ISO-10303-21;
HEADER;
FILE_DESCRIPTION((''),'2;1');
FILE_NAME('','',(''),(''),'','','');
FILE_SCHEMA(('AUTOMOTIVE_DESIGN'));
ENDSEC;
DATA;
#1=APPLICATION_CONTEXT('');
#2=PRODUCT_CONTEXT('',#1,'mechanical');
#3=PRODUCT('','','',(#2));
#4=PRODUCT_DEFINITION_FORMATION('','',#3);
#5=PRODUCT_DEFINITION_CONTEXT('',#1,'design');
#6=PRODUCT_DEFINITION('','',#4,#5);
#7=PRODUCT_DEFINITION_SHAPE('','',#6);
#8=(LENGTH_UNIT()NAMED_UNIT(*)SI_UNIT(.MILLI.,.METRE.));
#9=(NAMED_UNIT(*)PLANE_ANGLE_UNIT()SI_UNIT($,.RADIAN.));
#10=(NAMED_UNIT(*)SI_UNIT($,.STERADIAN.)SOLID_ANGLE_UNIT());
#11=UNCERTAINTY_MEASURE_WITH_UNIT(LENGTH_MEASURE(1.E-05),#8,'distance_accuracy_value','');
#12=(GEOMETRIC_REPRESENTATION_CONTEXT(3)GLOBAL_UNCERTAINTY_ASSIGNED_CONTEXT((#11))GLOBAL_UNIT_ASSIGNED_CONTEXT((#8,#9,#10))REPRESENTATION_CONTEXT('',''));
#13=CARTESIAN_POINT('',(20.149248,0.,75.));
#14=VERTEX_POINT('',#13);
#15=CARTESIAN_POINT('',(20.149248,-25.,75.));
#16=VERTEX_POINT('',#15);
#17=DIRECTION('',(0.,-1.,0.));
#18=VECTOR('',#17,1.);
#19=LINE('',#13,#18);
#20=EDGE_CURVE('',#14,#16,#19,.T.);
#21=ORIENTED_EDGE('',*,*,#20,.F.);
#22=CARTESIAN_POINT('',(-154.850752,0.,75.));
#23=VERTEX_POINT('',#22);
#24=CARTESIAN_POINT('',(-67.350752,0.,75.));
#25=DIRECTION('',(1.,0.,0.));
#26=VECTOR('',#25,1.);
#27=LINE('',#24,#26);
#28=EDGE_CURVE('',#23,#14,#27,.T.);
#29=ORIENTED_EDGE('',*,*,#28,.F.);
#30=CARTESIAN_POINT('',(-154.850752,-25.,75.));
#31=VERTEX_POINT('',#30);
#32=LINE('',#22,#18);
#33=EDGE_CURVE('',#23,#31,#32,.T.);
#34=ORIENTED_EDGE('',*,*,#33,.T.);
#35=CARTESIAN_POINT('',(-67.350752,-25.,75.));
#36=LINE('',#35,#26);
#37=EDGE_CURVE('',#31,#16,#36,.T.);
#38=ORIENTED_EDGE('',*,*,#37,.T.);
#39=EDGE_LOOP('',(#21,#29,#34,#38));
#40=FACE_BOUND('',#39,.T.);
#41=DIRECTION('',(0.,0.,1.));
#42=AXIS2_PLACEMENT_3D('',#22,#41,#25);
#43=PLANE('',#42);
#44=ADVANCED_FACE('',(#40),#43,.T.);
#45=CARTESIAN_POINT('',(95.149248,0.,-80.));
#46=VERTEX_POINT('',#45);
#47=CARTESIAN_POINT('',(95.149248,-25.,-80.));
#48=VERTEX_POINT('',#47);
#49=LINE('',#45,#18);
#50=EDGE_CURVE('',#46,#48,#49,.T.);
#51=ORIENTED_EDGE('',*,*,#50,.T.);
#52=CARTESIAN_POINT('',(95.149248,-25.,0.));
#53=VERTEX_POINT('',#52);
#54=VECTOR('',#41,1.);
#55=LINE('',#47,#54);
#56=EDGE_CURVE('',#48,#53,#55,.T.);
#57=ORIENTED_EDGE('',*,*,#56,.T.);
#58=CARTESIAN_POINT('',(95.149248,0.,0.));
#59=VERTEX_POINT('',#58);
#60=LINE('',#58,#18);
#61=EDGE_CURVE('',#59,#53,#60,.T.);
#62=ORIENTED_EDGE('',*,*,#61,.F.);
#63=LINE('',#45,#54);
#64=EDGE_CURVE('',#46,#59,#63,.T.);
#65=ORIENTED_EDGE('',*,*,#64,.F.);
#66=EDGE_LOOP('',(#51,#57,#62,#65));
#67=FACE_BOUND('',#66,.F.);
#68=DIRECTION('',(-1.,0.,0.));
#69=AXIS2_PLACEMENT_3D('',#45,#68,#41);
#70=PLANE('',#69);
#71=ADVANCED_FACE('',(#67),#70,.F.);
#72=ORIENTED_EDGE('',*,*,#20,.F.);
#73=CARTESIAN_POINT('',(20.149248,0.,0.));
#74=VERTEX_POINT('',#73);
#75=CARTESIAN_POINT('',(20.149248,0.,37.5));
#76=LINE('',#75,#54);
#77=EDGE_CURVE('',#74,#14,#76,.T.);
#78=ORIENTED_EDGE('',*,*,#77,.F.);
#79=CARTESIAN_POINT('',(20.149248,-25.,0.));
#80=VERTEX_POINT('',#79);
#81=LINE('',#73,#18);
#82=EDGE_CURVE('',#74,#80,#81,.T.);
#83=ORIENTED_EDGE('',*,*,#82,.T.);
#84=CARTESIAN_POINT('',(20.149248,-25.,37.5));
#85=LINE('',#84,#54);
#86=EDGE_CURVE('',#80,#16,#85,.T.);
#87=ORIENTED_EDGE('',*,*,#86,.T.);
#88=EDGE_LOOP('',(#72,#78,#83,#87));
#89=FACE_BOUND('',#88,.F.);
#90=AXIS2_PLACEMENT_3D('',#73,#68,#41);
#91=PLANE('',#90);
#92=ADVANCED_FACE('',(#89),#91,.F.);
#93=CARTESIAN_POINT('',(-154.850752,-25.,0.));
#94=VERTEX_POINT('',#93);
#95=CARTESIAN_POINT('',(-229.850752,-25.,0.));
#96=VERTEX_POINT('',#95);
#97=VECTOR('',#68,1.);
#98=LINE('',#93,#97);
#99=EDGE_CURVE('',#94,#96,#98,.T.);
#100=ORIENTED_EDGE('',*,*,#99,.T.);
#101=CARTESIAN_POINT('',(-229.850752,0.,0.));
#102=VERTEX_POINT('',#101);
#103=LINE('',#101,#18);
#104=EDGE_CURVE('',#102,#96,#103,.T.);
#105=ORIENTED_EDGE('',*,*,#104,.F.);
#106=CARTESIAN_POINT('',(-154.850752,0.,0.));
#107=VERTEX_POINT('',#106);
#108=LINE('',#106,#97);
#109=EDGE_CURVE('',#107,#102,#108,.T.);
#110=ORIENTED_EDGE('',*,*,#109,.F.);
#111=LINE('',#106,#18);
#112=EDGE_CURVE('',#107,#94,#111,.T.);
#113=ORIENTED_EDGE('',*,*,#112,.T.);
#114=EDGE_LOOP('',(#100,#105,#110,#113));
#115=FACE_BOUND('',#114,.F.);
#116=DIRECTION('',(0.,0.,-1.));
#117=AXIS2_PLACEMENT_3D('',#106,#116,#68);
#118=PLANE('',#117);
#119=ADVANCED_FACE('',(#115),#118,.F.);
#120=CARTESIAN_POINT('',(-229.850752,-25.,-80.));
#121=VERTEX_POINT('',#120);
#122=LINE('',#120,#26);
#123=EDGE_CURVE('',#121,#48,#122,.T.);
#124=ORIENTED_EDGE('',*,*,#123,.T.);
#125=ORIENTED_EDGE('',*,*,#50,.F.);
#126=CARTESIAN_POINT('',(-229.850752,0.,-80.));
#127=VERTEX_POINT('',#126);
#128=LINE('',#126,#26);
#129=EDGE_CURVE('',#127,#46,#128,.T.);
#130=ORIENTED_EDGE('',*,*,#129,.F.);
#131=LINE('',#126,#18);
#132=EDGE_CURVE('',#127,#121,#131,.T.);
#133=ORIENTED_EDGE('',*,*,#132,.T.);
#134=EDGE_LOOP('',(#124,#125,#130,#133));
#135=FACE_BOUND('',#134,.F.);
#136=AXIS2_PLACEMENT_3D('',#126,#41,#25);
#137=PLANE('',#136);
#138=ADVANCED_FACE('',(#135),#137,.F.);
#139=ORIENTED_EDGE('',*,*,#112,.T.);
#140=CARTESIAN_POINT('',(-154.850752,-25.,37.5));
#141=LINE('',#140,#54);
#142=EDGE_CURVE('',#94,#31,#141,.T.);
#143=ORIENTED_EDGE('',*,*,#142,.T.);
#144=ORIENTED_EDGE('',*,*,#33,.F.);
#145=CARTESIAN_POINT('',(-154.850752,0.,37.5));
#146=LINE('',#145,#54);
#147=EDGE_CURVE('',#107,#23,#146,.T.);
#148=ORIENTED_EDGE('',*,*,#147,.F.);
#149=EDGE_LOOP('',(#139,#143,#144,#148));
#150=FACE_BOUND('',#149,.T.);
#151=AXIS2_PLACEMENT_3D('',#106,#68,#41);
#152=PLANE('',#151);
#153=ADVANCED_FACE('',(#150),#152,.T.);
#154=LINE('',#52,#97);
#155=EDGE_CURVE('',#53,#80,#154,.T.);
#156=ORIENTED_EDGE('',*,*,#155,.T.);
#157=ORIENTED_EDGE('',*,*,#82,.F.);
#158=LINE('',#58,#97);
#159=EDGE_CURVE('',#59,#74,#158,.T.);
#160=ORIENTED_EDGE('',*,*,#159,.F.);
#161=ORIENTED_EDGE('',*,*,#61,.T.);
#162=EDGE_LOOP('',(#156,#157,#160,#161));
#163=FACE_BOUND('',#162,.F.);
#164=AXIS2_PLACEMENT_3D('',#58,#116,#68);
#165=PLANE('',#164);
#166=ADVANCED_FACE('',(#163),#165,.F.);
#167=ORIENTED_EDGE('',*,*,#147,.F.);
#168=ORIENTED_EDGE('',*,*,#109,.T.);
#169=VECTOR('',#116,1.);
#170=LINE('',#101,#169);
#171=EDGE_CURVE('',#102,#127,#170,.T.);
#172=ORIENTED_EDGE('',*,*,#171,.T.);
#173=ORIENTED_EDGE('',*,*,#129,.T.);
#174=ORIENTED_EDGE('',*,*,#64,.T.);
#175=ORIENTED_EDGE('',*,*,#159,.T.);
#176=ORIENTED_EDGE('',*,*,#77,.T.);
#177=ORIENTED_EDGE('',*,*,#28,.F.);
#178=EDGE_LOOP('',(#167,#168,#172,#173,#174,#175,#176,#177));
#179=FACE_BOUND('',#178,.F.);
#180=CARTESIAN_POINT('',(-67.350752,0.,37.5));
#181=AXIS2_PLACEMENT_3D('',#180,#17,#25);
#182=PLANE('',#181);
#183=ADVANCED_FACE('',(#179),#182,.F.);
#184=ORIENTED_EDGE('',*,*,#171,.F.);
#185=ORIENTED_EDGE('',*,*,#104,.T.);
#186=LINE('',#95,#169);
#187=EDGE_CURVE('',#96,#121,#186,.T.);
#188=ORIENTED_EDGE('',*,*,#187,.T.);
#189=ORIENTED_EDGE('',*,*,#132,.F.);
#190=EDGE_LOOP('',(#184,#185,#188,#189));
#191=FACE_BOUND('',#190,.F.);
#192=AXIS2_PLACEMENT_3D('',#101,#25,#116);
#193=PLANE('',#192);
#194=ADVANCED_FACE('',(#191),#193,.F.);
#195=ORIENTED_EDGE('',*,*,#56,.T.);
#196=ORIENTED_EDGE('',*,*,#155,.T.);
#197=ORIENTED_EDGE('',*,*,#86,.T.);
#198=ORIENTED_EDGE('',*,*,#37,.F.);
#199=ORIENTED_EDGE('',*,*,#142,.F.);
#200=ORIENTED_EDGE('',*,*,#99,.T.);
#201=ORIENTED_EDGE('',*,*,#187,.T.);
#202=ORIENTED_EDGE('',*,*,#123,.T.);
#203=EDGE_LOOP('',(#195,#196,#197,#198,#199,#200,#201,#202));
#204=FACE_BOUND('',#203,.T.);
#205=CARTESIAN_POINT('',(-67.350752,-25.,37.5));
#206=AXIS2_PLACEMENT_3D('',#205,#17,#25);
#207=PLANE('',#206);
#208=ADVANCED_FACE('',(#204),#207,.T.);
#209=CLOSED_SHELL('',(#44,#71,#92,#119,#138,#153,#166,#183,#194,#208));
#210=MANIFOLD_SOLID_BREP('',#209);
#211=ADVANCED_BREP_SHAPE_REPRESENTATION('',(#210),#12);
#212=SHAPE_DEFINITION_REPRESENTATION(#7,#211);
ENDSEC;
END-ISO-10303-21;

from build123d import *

# Parameters (mm, degrees)
F0_W     = 175
F0_H     = 75
F1_DEPTH = 25


with BuildPart() as f1:
    # F0 (on Front) → F1 (new body)
    with BuildSketch(Plane.XZ):
        with Locations((-67.350752, 37.5)):
            Rectangle(F0_W, F0_H)
        Polygon((-154.850752, 0), (-229.850752, 0), (-229.850752, -80), (95.149248, -80), (95.149248, 0), (20.149248, 0), align=None)
    extrude(amount=F1_DEPTH)


solid = f1.part
